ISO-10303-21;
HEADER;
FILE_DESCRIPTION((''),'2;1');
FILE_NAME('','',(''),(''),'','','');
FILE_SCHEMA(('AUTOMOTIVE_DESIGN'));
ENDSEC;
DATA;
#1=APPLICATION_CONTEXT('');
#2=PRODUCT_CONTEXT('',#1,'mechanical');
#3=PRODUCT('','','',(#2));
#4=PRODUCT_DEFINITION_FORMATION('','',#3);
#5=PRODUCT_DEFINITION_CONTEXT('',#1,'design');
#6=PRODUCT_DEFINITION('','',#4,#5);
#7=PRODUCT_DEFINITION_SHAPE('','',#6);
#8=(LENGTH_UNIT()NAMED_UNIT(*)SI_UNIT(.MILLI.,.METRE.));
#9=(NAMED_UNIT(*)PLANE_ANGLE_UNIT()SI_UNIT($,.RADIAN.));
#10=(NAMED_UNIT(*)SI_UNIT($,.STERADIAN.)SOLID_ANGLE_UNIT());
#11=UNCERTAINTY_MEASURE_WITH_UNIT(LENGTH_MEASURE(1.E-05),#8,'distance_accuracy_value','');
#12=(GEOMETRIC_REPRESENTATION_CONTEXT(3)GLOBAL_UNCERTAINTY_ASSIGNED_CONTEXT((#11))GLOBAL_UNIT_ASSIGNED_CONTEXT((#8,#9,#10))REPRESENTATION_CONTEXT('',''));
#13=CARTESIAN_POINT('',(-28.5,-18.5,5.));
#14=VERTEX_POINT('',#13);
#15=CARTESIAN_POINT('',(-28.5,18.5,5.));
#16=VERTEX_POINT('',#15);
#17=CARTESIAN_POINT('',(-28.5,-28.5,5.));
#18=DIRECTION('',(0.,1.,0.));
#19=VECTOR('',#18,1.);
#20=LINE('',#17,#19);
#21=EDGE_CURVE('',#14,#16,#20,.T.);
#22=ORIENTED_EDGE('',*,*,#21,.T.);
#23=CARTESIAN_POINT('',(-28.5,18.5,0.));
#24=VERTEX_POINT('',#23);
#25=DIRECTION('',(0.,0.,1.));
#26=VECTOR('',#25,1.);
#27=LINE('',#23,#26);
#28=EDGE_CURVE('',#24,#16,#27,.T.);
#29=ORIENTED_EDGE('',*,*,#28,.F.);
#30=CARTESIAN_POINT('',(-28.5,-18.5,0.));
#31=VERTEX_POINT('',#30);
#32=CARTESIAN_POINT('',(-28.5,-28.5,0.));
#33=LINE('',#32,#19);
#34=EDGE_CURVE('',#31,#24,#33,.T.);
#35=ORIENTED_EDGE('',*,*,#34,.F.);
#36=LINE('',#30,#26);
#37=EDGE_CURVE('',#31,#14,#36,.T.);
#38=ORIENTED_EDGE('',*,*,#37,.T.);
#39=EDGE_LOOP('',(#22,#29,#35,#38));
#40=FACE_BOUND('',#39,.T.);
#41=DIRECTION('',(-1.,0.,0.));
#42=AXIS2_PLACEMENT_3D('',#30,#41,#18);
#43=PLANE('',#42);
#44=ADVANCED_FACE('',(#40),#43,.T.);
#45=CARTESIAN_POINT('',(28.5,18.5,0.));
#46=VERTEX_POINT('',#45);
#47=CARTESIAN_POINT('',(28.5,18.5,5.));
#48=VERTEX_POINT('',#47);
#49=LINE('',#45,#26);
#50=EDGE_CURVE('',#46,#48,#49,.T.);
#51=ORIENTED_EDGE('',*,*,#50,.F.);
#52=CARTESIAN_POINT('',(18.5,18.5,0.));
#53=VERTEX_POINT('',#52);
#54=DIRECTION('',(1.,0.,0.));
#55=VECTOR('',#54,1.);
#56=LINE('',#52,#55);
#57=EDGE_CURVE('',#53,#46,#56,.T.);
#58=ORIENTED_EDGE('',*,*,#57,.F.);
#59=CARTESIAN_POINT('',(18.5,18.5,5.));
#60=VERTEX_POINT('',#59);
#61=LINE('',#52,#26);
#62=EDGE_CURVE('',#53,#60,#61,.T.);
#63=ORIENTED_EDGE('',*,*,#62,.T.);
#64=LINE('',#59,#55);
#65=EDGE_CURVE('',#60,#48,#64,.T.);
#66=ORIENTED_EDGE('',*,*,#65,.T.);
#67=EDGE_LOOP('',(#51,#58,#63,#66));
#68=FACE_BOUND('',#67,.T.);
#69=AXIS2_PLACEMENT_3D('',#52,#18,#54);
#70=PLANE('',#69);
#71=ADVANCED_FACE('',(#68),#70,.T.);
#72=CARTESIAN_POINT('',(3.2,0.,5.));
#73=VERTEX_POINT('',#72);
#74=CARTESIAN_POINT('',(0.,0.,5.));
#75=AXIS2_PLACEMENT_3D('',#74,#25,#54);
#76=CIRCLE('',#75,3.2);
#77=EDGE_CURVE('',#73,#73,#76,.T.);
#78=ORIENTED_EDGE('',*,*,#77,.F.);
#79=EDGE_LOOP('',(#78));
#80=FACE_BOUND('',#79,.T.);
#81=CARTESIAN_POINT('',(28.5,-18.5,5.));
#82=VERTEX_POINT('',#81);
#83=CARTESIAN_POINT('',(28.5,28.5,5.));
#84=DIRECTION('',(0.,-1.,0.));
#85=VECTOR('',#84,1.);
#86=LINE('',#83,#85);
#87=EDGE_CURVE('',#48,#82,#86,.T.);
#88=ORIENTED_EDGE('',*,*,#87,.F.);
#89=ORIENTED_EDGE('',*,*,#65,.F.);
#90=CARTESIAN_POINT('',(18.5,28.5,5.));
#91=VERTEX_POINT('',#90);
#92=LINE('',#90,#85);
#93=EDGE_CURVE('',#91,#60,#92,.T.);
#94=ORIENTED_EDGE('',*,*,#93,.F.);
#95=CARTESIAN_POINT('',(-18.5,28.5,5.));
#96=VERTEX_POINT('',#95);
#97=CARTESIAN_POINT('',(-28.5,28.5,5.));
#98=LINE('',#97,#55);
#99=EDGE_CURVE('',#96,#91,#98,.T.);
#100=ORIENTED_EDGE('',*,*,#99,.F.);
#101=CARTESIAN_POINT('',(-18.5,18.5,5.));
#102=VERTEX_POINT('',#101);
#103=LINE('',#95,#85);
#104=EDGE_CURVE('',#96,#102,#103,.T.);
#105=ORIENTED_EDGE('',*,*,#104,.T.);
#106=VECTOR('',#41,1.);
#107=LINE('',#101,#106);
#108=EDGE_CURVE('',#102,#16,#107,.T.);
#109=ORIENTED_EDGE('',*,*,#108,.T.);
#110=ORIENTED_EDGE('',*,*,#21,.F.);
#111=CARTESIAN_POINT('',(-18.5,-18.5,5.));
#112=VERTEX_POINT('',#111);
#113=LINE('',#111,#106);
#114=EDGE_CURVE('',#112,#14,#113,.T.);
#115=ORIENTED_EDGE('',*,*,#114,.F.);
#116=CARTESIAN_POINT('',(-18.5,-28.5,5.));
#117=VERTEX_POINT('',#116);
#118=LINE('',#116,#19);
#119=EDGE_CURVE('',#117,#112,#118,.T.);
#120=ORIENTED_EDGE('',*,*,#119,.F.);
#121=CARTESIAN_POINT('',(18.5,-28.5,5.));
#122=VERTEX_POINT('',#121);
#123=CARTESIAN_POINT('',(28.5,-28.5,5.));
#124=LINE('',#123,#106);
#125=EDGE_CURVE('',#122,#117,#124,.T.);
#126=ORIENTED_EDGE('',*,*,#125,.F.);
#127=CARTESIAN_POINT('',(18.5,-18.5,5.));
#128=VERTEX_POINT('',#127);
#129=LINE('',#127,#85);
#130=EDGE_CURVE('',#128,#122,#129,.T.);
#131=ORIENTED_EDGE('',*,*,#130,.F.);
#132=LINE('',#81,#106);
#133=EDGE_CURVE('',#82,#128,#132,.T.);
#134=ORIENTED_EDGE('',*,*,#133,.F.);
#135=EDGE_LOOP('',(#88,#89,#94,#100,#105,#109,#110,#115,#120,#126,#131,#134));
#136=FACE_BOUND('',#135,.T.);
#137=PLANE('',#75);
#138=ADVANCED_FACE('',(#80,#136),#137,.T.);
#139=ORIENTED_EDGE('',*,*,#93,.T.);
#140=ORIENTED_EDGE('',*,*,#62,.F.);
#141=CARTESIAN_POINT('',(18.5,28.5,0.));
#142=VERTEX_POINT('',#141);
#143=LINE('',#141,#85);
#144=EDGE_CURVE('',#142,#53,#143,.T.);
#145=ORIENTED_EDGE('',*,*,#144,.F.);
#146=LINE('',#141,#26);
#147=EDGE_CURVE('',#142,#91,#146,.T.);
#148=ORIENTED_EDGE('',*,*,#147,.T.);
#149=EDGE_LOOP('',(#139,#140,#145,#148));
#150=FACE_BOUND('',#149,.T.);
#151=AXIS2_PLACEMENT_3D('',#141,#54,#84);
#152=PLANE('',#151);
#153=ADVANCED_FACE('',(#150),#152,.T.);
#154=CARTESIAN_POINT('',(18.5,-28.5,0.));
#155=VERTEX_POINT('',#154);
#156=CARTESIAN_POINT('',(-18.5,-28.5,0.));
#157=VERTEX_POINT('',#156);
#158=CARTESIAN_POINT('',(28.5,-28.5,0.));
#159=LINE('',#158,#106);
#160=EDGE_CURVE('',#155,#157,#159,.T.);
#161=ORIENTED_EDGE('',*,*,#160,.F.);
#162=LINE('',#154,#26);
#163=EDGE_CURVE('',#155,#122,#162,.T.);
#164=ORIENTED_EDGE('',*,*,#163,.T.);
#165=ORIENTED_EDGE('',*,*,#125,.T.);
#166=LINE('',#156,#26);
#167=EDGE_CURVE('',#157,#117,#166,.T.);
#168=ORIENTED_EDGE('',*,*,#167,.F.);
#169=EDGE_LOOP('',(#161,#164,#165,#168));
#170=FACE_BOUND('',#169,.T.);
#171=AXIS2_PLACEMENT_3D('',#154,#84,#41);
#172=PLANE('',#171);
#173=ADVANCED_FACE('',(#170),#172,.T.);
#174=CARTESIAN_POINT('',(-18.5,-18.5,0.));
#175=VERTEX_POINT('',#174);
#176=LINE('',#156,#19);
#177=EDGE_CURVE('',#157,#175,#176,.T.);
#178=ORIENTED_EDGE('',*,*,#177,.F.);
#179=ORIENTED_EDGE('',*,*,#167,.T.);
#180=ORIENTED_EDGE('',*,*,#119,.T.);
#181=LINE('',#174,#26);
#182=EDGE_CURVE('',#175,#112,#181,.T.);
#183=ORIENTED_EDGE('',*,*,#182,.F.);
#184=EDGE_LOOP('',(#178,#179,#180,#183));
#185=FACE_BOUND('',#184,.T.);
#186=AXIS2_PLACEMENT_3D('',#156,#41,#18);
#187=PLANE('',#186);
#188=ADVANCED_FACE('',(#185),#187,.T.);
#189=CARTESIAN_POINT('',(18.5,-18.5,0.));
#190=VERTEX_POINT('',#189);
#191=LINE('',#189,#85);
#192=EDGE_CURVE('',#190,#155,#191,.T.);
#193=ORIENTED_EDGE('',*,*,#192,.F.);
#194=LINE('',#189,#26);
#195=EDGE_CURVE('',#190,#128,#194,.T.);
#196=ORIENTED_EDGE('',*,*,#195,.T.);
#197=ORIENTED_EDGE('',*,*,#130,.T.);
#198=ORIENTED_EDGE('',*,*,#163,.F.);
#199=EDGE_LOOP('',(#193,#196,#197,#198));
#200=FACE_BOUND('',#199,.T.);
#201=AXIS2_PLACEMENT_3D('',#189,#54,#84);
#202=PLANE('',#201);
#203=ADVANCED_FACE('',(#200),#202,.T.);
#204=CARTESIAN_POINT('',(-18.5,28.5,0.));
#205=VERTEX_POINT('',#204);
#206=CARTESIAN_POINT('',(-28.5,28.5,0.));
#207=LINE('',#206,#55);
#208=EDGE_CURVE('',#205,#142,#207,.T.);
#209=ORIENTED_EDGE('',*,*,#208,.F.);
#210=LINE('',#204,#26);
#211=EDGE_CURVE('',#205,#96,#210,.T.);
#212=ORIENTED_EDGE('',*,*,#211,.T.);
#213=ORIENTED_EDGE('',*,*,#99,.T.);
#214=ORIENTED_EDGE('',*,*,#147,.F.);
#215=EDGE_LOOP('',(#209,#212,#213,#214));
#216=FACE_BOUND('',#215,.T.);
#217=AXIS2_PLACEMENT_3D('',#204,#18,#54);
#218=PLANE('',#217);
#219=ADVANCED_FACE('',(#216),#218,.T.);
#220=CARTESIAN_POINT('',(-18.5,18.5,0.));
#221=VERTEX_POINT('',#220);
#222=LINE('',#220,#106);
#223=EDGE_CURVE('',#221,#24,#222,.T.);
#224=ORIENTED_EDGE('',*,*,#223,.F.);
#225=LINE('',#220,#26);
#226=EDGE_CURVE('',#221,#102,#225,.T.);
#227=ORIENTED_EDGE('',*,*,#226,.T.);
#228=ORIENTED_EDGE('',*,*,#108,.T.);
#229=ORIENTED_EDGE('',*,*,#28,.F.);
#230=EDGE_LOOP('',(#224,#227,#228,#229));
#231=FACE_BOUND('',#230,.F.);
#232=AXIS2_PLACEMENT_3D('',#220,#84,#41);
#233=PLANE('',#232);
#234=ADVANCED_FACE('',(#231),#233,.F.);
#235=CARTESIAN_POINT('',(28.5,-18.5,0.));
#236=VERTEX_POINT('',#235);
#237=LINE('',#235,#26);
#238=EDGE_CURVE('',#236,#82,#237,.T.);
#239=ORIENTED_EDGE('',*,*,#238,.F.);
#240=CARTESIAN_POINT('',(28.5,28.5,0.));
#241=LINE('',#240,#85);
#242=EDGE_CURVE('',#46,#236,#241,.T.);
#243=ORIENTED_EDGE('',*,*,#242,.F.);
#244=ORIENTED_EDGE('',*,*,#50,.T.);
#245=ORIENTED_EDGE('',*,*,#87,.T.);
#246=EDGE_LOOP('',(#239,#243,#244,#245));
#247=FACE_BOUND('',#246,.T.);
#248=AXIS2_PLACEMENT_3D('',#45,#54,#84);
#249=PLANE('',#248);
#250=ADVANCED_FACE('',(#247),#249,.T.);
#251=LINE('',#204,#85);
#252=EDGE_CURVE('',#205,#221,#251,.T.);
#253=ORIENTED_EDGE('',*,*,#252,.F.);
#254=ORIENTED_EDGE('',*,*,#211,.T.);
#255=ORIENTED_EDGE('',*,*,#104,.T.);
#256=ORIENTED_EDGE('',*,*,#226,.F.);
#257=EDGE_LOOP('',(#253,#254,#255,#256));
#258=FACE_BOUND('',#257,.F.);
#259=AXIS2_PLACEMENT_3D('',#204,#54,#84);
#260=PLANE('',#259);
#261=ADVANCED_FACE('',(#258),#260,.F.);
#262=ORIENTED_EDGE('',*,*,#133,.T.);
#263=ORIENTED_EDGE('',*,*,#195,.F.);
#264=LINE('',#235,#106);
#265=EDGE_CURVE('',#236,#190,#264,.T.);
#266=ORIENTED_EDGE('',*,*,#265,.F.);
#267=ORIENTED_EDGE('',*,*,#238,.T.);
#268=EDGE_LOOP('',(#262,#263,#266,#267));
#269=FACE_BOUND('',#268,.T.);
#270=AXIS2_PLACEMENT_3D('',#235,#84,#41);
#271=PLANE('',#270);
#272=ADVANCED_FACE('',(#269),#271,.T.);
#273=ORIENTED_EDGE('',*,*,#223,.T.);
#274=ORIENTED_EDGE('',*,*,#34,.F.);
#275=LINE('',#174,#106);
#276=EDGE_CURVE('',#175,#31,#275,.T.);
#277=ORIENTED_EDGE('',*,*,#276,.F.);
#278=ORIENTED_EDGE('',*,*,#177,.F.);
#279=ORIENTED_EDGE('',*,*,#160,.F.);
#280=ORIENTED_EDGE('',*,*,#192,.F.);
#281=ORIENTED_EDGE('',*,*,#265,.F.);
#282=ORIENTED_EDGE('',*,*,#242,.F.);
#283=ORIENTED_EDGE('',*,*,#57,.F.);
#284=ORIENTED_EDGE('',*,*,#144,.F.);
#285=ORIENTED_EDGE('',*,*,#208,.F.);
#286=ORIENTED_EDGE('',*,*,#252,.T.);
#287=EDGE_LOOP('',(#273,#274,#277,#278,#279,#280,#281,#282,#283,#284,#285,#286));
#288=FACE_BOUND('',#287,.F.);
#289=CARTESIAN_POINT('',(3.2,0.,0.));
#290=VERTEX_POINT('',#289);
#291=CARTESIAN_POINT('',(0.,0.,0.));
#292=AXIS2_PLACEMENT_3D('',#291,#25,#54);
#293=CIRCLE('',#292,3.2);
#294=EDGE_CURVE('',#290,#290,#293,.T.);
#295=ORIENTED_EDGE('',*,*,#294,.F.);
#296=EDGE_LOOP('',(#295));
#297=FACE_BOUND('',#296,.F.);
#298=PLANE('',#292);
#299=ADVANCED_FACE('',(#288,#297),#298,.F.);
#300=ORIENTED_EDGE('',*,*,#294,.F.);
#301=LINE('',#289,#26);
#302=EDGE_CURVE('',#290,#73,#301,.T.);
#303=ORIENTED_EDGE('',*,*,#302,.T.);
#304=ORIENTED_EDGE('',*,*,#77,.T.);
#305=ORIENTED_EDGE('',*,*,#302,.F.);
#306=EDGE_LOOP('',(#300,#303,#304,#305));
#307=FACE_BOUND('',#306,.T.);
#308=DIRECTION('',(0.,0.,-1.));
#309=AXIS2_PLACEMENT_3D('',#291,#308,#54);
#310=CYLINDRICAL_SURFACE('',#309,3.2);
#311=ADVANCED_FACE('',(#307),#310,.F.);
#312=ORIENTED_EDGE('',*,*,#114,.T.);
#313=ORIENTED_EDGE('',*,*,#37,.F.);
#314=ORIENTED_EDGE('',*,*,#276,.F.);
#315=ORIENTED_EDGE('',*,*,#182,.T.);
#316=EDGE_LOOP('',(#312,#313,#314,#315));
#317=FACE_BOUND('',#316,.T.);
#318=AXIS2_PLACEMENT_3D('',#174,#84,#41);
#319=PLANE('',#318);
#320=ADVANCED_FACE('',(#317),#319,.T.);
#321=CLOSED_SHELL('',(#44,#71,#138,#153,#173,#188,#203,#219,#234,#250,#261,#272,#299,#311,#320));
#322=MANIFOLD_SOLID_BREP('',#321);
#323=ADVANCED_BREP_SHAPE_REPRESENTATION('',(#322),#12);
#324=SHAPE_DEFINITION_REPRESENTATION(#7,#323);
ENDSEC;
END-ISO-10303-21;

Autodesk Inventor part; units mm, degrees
ref_plane "YZ Plane" through (0, 0, 0) normal (1, 0, 0) x (0, 1, 0)
ref_plane "XZ Plane" through (0, 0, 0) normal (0, 1, 0) x (-1, 0, 0)
ref_plane "XY Plane" through (0, 0, 0) normal (0, 0, 1) x (1, 0, 0)
sketch "Sketch3" plane through (0, 0, 0) normal (0, 0, 1) x (1, 0, 0)
  line L0 (-28.5, 28.5) -> (28.5, 28.5)
  line L1 (28.5, 28.5) -> (28.5, -28.5)
  line L2 (28.5, -28.5) -> (-28.5, -28.5)
  line L3 (-28.5, -28.5) -> (-28.5, 28.5)
  circle A0 centre (0, 0) radius 3.2
  line L4 (-18.5, 28.5) -> (-18.5, 18.5)
  line L5 (-18.5, 18.5) -> (-28.5, 18.5)
  line L6 (18.5, 28.5) -> (18.5, 18.5)
  line L7 (18.5, 18.5) -> (28.5, 18.5)
  line L8 (28.5, -18.5) -> (18.5, -18.5)
  line L9 (18.5, -18.5) -> (18.5, -28.5)
  line L10 (-18.5, -28.5) -> (-18.5, -18.5)
  line L11 (-18.5, -18.5) -> (-28.5, -18.5)
  line L12 (-18.5, 28.5) -> (18.5, 28.5)
  line L13 (28.5, 18.5) -> (28.5, -18.5)
  line L14 (18.5, -28.5) -> (-18.5, -28.5)
  line L15 (-28.5, -18.5) -> (-28.5, 18.5)
  dimension "d15" = 57
  dimension "d16" = 57
  dimension "d17" = 28.5
  dimension "d18" = 28.5
  dimension "d19" = 6.4
  dimension "d20" = 10
  dimension "d21" = 10
  dimension "d22" = 10
  dimension "d23" = 10
  dimension "d24" = 10
  dimension "d25" = 10
  dimension "d26" = 10
  dimension "d27" = 10
extrude "Extrusion2" add sketch "Sketch3" along normal blind 5 contours L0 L6 L7 L1 L8 L9 L2 L10 L11 L3 L5 L4
properties part number "MotorRear"
